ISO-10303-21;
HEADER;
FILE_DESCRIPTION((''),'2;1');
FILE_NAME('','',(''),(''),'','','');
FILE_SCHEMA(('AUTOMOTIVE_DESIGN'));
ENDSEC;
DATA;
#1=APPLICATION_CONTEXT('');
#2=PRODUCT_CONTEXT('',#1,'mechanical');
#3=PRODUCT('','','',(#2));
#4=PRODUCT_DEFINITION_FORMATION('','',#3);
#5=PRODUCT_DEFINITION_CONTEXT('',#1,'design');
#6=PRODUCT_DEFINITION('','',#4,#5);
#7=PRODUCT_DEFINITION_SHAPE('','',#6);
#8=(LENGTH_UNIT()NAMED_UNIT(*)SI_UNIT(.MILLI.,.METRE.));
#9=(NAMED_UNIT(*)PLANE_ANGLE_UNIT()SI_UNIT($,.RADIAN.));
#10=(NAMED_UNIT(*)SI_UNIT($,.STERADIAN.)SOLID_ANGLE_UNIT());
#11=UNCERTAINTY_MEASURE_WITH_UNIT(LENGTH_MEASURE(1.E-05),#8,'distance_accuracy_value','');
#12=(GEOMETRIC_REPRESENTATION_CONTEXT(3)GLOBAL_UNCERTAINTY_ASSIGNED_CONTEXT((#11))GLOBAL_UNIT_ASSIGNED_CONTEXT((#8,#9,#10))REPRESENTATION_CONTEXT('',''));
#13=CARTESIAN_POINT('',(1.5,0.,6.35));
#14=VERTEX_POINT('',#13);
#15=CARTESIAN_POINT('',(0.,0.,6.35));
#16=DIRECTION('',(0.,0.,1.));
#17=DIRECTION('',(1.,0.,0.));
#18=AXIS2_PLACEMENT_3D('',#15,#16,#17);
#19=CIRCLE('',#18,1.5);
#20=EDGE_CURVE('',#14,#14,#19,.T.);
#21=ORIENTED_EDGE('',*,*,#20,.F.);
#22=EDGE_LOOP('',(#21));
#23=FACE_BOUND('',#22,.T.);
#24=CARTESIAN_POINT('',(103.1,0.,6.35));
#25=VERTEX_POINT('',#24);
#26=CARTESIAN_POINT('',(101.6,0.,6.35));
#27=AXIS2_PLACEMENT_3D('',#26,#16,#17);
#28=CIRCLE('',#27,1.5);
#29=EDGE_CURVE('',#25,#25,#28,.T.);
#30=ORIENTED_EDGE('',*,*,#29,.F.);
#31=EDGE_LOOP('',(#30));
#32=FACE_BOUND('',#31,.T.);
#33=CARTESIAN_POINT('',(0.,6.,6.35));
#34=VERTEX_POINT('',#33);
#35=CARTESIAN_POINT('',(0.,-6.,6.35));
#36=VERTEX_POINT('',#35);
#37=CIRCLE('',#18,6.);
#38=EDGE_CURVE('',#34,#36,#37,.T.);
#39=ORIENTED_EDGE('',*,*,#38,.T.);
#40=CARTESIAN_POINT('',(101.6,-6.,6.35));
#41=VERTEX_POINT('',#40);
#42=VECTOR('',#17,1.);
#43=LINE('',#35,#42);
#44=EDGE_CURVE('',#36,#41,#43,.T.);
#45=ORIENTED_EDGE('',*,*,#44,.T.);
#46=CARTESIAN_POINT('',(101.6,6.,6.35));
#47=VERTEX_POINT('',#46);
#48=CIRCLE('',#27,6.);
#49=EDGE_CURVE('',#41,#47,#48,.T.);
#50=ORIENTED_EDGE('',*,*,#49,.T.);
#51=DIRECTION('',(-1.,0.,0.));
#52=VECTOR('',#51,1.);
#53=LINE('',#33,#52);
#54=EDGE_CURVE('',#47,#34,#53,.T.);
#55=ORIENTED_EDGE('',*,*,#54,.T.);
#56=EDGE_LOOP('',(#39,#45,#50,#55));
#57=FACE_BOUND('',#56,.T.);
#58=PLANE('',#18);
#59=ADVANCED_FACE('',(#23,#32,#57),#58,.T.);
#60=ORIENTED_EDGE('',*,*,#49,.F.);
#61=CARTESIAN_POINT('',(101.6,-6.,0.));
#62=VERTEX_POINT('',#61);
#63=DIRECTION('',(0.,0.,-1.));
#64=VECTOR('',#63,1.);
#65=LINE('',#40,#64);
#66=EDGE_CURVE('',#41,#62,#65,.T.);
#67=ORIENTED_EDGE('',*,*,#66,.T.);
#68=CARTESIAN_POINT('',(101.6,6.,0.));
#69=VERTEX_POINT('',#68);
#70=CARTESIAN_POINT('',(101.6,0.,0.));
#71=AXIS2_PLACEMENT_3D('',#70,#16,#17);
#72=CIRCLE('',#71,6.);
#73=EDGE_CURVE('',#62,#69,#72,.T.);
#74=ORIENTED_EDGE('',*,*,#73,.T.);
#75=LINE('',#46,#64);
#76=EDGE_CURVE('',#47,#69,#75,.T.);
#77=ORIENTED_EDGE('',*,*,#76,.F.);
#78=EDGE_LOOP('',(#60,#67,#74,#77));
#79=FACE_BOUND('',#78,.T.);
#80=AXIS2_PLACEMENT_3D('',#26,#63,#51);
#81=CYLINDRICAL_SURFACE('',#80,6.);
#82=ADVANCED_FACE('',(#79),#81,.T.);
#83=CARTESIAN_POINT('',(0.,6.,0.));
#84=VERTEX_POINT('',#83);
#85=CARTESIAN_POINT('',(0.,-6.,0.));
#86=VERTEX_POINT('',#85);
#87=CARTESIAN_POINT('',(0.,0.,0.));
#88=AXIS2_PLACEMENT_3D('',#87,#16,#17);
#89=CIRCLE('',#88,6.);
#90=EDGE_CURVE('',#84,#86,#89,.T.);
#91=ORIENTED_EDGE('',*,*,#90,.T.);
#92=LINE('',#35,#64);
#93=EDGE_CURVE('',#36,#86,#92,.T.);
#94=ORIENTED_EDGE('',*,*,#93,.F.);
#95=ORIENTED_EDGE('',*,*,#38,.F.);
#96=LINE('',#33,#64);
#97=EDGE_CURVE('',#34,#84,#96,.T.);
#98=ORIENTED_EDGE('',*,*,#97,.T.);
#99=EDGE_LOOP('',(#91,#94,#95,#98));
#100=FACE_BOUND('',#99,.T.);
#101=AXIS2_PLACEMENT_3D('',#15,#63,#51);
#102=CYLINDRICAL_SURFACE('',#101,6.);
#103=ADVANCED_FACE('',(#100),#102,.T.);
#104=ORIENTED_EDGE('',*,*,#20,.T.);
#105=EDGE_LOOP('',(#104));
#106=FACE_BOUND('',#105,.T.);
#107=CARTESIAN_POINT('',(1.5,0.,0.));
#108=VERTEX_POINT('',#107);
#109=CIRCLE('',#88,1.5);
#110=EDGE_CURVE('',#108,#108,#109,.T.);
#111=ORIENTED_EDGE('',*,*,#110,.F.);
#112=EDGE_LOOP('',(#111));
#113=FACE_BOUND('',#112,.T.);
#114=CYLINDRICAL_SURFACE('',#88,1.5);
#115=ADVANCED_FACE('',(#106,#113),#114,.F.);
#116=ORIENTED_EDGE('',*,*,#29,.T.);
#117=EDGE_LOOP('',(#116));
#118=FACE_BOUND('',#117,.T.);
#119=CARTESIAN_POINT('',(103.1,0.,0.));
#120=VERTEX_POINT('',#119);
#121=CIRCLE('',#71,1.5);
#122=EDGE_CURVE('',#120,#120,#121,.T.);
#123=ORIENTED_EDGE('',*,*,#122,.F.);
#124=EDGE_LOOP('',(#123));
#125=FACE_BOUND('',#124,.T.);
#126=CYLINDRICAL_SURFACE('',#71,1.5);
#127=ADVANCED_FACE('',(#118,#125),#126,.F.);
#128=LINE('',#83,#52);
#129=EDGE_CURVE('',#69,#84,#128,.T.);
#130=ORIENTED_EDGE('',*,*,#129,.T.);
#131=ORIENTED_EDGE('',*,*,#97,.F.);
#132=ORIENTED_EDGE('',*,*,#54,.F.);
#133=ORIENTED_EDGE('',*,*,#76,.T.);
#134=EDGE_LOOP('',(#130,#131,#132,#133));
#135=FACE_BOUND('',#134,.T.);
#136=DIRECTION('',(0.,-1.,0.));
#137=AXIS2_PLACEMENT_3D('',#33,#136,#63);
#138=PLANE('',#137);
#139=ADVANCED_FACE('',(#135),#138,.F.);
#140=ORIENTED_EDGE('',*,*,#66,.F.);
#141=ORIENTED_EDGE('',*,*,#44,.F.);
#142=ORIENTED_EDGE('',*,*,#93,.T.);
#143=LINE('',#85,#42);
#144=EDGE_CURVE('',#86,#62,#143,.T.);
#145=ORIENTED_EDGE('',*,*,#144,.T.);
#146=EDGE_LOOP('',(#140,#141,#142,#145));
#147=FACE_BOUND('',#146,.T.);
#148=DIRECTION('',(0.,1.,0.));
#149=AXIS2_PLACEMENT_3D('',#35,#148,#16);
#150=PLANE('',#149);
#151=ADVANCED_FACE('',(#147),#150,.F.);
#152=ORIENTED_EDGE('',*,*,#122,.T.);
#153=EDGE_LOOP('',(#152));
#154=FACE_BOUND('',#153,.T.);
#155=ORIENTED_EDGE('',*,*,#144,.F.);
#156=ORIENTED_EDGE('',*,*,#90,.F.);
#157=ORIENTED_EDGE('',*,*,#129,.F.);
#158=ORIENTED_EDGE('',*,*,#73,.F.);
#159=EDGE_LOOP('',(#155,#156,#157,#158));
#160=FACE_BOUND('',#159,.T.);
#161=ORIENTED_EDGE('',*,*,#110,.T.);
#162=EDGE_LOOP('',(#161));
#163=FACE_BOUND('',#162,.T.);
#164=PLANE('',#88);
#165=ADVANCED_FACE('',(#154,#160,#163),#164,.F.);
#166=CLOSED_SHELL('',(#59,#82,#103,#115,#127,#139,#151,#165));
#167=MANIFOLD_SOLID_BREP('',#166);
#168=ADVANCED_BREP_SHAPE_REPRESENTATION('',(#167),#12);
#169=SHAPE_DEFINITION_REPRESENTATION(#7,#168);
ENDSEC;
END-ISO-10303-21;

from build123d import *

# Parameters (mm, degrees)
BOSS_EXTRU_1_DEPTH      = 6.35
ESQUISSE2_R             = 1.5
ENL_V_MAT_EXTRU_1_DEPTH = 6.35
ESQUISSE3_R             = 1.5
ENL_V_MAT_EXTRU_2_DEPTH = 6.35


with BuildPart() as part:
    # Esquisse1 → Boss.-Extru.1 (new body)
    with BuildSketch(Plane.XY):
        with BuildLine():
            Line((0, 6), (101.6, 6))
            ThreePointArc((101.6, 6), (107.6, 0), (101.6, -6))
            Line((101.6, -6), (0, -6))
            ThreePointArc((0, -6), (-6, 0), (0, 6))
        make_face()
    extrude(amount=BOSS_EXTRU_1_DEPTH)

    # Esquisse2 → Enlèv. mat.-Extru.1 (cut)
    with BuildSketch(Plane.XY.offset(6.35)):
        Circle(ESQUISSE2_R)
    extrude(amount=-ENL_V_MAT_EXTRU_1_DEPTH, mode=Mode.SUBTRACT)

    # Esquisse3 → Enlèv. mat.-Extru.2 (cut)
    with BuildSketch(Plane.XY.offset(6.35)):
        with Locations((101.6, 0)):
            Circle(ESQUISSE3_R)
    extrude(amount=-ENL_V_MAT_EXTRU_2_DEPTH, mode=Mode.SUBTRACT)


solid = part.part
